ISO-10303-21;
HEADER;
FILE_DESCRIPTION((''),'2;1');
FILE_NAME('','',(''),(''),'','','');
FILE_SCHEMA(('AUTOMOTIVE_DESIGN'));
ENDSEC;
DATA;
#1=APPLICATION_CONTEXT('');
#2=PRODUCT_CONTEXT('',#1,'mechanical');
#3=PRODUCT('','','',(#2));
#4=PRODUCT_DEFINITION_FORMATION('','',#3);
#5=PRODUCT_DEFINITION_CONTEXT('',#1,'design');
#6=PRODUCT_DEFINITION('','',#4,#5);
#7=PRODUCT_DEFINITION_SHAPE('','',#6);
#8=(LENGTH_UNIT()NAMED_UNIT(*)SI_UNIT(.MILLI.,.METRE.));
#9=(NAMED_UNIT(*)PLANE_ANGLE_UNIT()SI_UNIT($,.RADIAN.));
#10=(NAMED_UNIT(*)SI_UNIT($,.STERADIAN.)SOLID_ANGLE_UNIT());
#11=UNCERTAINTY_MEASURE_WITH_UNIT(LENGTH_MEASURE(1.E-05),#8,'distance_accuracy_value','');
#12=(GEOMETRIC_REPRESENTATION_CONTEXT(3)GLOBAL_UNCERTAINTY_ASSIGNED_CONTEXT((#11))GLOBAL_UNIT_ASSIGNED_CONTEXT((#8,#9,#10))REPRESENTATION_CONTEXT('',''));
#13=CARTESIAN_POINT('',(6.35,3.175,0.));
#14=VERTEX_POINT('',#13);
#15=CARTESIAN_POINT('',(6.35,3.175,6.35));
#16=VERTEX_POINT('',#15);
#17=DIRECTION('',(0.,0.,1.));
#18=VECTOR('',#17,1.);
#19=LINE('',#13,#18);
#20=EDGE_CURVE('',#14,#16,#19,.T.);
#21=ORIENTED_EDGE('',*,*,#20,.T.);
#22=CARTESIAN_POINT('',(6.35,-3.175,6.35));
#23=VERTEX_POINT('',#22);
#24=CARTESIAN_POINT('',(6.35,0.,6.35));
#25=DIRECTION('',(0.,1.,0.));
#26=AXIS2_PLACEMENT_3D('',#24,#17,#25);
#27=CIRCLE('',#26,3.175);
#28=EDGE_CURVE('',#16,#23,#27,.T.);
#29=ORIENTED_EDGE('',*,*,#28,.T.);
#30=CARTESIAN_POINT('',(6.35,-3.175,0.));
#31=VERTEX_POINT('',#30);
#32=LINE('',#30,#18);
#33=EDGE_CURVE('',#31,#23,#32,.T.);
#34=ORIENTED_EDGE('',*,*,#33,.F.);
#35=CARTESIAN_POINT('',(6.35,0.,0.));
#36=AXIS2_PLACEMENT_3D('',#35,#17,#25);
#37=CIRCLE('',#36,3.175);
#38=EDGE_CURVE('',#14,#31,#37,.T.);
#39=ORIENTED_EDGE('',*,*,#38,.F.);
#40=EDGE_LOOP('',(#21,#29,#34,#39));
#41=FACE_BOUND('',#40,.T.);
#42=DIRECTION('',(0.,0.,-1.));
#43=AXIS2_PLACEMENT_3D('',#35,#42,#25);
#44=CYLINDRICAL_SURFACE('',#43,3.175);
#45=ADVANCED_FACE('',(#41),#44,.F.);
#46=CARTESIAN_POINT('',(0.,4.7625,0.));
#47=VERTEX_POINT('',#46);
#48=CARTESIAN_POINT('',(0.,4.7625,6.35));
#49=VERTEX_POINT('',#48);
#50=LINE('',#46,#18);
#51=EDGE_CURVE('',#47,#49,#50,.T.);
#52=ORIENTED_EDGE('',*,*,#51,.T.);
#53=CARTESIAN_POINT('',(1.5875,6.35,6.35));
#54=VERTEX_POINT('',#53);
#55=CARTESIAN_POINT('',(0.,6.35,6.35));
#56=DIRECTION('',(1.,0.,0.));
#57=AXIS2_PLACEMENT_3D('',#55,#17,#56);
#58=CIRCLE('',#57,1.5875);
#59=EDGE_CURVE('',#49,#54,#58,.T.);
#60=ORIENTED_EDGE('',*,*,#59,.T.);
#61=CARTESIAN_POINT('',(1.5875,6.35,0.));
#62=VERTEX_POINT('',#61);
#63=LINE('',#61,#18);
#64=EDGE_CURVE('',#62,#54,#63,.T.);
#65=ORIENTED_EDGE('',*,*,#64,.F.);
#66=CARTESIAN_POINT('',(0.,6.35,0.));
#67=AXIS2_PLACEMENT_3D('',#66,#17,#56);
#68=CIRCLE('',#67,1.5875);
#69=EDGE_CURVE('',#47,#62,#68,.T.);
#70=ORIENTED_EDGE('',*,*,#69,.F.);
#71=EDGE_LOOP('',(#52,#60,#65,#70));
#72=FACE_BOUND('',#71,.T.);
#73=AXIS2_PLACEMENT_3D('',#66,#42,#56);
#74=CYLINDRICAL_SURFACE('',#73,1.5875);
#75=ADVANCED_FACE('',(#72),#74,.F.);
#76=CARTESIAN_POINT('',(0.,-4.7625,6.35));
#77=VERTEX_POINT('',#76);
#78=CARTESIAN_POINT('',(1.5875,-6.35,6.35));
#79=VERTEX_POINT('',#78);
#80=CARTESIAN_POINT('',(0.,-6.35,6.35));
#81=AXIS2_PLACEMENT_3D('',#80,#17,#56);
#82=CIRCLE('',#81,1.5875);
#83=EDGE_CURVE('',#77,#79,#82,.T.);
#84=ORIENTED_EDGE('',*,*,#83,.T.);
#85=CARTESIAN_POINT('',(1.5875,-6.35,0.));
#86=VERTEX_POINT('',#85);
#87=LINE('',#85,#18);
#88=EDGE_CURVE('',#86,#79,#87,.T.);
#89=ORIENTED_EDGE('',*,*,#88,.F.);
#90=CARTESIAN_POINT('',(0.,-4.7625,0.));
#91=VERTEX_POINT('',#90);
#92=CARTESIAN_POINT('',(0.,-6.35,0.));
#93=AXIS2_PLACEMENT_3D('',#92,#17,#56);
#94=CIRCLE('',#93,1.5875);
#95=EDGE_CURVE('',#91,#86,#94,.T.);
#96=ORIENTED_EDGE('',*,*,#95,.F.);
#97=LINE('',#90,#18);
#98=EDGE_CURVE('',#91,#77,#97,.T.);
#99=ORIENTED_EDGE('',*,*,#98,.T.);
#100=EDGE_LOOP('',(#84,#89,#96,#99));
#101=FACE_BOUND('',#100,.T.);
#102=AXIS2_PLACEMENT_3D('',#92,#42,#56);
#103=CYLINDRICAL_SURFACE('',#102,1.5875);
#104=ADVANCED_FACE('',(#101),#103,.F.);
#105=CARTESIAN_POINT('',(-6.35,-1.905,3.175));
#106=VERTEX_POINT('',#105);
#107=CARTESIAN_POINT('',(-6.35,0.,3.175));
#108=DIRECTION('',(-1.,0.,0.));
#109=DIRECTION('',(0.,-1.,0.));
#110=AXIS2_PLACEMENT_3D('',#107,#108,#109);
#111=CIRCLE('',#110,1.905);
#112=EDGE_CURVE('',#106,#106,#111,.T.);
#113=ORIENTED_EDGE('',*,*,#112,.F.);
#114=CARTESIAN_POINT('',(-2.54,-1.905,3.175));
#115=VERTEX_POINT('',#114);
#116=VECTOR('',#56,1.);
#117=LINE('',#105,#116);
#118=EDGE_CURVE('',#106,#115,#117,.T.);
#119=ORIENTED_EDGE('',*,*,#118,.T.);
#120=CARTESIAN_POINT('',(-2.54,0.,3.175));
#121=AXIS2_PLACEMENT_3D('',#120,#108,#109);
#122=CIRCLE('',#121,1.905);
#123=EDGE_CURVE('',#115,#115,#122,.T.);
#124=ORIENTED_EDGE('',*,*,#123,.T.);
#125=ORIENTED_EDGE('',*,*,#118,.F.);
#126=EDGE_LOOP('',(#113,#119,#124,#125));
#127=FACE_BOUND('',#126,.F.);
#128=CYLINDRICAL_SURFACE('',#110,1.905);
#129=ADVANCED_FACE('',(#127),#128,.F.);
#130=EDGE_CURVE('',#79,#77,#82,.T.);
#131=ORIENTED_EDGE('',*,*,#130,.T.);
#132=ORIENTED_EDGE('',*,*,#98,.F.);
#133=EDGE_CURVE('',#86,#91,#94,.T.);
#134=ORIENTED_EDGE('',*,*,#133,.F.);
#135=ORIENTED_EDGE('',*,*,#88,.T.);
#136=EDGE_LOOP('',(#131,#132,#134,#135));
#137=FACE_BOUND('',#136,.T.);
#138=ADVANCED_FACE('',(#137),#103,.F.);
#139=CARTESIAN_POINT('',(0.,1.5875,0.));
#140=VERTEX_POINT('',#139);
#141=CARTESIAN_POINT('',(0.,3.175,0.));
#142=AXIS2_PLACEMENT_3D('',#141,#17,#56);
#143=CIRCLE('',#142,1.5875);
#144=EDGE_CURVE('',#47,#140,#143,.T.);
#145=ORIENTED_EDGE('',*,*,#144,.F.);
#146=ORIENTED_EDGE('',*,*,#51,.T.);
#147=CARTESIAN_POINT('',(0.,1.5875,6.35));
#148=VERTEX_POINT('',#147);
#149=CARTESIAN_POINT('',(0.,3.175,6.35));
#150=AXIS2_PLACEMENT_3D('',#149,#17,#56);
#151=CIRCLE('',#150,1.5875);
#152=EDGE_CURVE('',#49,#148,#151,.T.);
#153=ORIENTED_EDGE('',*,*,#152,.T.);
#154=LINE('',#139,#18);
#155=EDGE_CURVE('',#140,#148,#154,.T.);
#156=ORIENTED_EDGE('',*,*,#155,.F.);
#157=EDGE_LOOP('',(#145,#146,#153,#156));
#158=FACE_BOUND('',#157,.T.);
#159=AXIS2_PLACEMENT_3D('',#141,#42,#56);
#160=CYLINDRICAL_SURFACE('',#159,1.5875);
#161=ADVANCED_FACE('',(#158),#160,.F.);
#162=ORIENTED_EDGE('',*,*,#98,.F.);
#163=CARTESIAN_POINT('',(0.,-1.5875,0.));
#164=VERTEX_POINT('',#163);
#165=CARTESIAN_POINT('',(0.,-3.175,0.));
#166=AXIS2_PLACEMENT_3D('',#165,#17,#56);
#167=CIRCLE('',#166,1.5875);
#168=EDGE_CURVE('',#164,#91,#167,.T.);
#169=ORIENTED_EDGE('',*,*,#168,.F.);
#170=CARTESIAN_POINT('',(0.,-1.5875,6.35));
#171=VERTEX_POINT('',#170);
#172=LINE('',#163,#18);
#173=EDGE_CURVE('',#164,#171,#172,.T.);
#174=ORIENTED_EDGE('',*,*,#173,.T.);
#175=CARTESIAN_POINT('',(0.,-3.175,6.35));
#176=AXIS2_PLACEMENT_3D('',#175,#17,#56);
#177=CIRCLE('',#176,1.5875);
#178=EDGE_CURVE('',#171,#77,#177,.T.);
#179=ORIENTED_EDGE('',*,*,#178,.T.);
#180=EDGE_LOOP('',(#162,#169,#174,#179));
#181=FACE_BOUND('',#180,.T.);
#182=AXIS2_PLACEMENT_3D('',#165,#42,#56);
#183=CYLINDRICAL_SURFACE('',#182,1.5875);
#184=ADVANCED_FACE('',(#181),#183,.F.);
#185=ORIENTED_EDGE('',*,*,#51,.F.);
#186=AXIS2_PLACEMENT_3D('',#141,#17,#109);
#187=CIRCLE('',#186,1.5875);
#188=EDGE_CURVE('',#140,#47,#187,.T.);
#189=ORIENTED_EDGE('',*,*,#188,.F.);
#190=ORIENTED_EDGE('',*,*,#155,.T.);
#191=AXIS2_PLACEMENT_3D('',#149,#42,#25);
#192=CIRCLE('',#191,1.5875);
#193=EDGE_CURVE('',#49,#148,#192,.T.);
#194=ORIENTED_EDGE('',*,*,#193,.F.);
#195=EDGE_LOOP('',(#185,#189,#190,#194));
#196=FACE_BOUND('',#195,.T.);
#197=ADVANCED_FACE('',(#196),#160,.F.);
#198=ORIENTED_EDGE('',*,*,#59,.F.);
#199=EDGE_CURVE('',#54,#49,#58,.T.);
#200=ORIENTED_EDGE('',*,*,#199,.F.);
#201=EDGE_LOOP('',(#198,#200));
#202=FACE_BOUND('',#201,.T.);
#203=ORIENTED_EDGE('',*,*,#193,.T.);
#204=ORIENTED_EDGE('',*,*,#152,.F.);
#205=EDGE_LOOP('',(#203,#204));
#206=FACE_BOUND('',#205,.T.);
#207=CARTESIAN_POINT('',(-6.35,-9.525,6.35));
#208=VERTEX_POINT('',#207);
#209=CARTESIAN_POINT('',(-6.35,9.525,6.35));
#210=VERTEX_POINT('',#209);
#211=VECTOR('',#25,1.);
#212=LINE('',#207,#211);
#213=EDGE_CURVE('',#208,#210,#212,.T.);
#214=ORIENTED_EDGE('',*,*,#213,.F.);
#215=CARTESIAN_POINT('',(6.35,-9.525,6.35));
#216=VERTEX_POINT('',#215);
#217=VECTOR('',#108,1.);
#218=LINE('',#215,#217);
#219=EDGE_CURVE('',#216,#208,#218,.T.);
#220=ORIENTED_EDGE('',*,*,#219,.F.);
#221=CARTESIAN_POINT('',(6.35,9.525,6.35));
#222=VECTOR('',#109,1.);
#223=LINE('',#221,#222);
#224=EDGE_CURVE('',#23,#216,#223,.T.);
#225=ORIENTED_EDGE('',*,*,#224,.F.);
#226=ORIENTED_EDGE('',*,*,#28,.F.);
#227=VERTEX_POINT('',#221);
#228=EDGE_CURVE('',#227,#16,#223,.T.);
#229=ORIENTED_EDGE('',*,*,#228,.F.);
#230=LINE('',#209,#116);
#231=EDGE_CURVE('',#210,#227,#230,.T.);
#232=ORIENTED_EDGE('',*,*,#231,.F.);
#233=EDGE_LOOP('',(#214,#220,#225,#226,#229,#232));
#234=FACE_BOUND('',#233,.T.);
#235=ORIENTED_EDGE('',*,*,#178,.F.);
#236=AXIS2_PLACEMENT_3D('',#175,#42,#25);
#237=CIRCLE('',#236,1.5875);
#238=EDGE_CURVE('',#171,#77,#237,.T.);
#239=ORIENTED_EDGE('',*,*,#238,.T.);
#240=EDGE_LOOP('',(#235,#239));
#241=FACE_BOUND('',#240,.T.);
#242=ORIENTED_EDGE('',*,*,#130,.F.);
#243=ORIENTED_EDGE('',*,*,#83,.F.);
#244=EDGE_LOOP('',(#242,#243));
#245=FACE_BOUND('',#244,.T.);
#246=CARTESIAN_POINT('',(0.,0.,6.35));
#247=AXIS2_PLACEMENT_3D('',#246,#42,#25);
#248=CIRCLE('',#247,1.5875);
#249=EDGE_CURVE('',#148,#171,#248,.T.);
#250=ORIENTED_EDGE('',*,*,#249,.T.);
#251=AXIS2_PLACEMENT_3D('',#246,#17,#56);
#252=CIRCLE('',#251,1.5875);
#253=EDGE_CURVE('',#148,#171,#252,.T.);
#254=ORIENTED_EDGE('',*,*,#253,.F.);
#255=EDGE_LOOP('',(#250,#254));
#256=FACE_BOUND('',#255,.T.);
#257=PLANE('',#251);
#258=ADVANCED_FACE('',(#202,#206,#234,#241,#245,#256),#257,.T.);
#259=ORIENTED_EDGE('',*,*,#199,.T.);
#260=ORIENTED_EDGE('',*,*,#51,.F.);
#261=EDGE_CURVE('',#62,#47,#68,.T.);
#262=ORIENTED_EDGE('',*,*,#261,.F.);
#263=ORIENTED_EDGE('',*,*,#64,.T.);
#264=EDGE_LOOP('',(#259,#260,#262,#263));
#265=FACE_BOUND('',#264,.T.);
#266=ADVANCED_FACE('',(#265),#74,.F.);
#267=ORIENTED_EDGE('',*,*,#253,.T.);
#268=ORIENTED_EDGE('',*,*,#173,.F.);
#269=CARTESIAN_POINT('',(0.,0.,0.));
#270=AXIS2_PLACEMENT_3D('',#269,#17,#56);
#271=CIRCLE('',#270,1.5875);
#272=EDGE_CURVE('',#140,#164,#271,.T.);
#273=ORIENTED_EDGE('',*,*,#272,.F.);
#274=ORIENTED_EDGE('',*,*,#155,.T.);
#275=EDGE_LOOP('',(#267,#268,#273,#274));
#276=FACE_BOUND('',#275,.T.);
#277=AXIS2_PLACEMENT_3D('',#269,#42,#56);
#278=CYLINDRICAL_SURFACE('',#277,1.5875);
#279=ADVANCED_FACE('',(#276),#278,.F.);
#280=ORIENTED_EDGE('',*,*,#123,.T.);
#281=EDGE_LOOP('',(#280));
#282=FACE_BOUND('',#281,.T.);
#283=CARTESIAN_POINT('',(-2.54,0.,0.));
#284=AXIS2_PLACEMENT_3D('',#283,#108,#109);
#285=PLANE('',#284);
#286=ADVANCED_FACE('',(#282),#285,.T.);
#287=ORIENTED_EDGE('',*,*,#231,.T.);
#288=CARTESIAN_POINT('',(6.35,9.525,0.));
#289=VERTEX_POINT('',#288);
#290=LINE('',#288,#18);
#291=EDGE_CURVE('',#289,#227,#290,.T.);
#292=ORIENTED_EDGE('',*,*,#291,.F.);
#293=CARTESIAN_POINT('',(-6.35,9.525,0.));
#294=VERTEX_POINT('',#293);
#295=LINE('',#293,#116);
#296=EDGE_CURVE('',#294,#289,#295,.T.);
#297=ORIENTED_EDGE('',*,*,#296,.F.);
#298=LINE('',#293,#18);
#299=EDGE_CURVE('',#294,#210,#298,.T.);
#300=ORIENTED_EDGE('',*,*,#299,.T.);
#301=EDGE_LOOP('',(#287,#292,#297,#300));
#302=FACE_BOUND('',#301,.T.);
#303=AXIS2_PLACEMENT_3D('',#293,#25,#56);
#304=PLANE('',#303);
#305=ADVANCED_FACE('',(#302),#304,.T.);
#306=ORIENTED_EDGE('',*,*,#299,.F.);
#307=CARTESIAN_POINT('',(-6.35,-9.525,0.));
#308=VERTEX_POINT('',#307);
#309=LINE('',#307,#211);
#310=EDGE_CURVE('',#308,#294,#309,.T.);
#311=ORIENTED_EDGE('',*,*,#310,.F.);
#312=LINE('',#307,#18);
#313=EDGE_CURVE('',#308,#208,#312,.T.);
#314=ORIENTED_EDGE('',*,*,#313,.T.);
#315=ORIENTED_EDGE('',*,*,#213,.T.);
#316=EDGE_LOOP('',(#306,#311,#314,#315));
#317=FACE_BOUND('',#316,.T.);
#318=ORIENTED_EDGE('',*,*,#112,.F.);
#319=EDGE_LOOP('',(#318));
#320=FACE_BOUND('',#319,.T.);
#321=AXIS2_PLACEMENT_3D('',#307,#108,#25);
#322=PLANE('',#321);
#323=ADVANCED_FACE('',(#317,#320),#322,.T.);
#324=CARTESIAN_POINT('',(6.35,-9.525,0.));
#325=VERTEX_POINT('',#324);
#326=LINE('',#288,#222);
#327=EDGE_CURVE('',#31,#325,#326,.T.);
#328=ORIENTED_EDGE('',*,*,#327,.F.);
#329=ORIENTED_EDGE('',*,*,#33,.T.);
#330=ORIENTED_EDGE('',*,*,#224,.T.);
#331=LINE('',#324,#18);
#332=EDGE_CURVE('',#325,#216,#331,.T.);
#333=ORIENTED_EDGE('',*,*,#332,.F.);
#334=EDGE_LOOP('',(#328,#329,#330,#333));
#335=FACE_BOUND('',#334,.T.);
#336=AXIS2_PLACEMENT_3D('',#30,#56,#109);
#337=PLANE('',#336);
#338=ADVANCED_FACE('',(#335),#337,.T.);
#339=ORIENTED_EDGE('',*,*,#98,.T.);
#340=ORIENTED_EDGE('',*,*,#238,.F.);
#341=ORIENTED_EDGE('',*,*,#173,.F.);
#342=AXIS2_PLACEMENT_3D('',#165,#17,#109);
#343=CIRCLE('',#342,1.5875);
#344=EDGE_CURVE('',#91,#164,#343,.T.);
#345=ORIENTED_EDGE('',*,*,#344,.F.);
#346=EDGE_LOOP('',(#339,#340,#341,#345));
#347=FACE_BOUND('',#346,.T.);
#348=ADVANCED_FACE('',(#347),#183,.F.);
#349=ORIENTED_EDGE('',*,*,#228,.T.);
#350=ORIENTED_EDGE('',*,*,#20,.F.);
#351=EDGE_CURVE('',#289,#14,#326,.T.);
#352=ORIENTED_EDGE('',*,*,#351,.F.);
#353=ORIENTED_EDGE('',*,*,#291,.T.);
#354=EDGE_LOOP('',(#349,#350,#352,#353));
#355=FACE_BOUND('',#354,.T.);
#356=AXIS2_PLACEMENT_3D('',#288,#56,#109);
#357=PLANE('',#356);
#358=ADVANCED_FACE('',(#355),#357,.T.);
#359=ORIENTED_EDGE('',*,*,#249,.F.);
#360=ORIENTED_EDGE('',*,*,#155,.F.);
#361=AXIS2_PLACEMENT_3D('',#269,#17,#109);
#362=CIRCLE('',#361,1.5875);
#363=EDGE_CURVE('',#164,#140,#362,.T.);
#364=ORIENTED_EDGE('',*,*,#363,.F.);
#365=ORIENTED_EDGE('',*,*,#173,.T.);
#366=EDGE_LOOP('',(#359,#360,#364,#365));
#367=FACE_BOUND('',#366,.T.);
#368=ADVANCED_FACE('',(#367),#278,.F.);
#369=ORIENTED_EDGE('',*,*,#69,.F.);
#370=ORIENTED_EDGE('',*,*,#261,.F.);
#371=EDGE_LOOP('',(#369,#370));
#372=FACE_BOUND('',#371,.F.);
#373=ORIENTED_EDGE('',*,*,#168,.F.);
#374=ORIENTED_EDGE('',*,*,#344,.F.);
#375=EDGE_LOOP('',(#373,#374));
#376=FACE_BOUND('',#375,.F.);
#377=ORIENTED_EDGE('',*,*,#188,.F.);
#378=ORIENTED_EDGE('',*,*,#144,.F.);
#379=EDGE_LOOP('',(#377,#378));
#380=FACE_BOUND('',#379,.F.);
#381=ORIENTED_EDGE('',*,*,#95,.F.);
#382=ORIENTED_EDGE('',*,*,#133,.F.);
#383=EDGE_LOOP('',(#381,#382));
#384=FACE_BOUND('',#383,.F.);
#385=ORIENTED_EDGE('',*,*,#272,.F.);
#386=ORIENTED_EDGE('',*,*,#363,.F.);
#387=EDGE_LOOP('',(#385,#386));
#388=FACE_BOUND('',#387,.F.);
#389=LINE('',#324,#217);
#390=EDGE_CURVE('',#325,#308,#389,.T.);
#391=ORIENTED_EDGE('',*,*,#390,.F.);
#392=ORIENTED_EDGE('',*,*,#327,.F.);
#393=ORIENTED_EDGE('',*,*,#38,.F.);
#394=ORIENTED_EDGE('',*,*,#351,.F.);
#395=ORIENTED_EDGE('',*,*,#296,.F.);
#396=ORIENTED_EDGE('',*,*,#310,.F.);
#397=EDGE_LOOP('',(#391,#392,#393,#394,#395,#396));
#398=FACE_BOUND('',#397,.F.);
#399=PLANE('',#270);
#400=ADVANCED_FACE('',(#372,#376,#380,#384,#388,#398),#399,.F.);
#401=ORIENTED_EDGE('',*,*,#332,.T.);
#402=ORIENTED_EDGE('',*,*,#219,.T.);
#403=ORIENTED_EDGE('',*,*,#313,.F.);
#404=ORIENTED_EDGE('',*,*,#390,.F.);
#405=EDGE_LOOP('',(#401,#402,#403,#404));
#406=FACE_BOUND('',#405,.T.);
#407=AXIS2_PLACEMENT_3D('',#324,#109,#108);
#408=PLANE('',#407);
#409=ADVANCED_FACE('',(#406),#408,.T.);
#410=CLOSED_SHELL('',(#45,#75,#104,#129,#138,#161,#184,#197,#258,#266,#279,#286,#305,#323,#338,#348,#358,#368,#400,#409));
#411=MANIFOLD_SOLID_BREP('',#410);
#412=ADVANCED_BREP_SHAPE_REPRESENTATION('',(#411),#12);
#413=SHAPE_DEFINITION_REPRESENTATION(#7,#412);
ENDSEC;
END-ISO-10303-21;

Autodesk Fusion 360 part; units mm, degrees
sketch "Sketch1" plane through (0, 0, 0) normal (0, 0, 1) x (1, 0, 0)
  line L0 (-6.35, 9.525) -> (6.35, 9.525)
  line L1 (6.35, 9.525) -> (6.35, -9.525)
  line L2 (6.35, -9.525) -> (-6.35, -9.525)
  line L3 (-6.35, -9.525) -> (-6.35, 9.525)
  line L4 (0, 0) -> (0, 3.175) construction
  line L5 (0, 3.175) -> (0, 6.35) construction
  line L6 (0, 0) -> (0, -3.175) construction
  line L7 (0, -3.175) -> (0, -6.35) construction
  circle A0 centre (0, 6.35) radius 1.5875
  circle A1 centre (0, 3.175) radius 1.5875
  circle A2 centre (0, 0) radius 1.5875
  circle A3 centre (0, -3.175) radius 1.5875
  circle A4 centre (0, -6.35) radius 1.5875
  arc A5 (6.35, 3.175) -> (6.35, -3.175) centre (6.35, 0) ccw
  dimension "d3" = 12.7
  dimension "d4" = 19.05
  dimension "d5" = 3.175
  dimension "d6" = 3.175
  dimension "d7" = 3.175
  dimension "d8" = 3.175
  dimension "d9" = 3.175
  dimension "d10" = 3.175
  dimension "d11" = 3.175
  dimension "d12" = 3.175
  dimension "d13" = 3.175
  dimension "d21" = 6.35
extrude "Extrude1" add sketch "Sketch1" along normal blind 6.35 contours L0 L1 L2 L3 A5
sketch "Sketch2" plane through (0, 0, 6.35) normal (0, 0, 1) x (-1, 0, 0)
  circle A0 centre (0, 6.35) radius 1.5875
  circle A1 centre (0, -6.35) radius 1.5875
  line L0 (6.35, 9.525) -> (-6.35, 9.525)
  line L1 (-6.35, -3.175) -> (-6.35, -9.525)
  line L2 (-6.35, -9.525) -> (6.35, -9.525)
  line L3 (6.35, -9.525) -> (6.35, 9.525)
  arc A2 (1.905, 6.35) -> (-1.905, 6.35) centre (0, 6.35) ccw
  arc A3 (-1.905, -6.35) -> (1.905, -6.35) centre (0, -6.35) ccw
  circle A4 centre (0, -3.175) radius 1.5875
  arc A5 (0, -1.5875) -> (0, 1.5875) centre (0, 0) ccw
  arc A6 (0, 1.5875) -> (0, 4.7625) centre (0, 3.175) ccw
  arc A7 (0, -1.5875) -> (0, -4.7625) centre (0, -3.175) ccw
  arc A8 (0, 1.5875) -> (0, -1.5875) centre (0, 0) ccw
  arc A9 (0, 4.7625) -> (0, 1.5875) centre (0, 3.175) ccw
  line L4 (-6.35, 9.525) -> (-6.35, 3.175)
  arc A10 (-6.35, -3.175) -> (-6.35, 3.175) centre (-6.35, 0) ccw
  dimension "d17" = 3.81
  dimension "d18" = 3.81
sketch "Sketch3" plane through (0, 0, 6.35) normal (0, 0, 1) x (-1, 0, 0)
  circle A0 centre (0, 6.35) radius 1.5875
  arc A1 (0, 1.5875) -> (0, 4.7625) centre (0, 3.175) ccw
  arc A2 (0, -1.5875) -> (0, 1.5875) centre (0, 0) ccw
  arc A3 (0, -4.7625) -> (0, -1.5875) centre (0, -3.175) ccw
  circle A4 centre (0, -6.35) radius 1.5875
  arc A5 (0, -1.5875) -> (0, -4.7625) centre (0, -3.175) ccw
  arc A6 (0, 1.5875) -> (0, -1.5875) centre (0, 0) ccw
  arc A7 (0, 4.7625) -> (0, 1.5875) centre (0, 3.175) ccw
  line L0 (-6.35, -3.175) -> (-6.35, -9.525)
  line L1 (-6.35, -9.525) -> (6.35, -9.525)
  line L2 (6.35, -9.525) -> (6.35, 9.525)
  line L3 (6.35, 9.525) -> (-6.35, 9.525)
  line L4 (-6.35, 9.525) -> (-6.35, 3.175)
  arc A8 (-6.35, -3.175) -> (-6.35, 3.175) centre (-6.35, 0) ccw
sketch "Sketch4" plane through (-6.35, 0, 0) normal (-1, 0, 0) x (0, -1, 0)
  line L0 (-9.525, 0) -> (9.525, 0)
  line L1 (9.525, 0) -> (9.525, 6.35)
  line L2 (9.525, 6.35) -> (-9.525, 6.35)
  line L3 (-9.525, 6.35) -> (-9.525, 0)
  line L4 (0, 0) -> (0, 3.175) construction
  circle A0 centre (0, 3.175) radius 1.905
  dimension "d22" = 3.175
  dimension "d23" = 3.81
extrude "Extrude3" cut sketch "Sketch4" against normal blind 3.81 contours A0
thread "Thread1" thread offset 0 thread length 10.0076
equation "d9 = ( 1 / 8 ) * 1 in"
equation "d10 = ( 1 / 8 ) * 1 in"
equation "d11 = ( 1 / 8 ) * 1 in"
equation "d13 = ( 1 / 8 ) * 1 in"
equation "d21 = ( 1 / 4 ) * 1 in"
equation "d22 = ( 1 / 8 ) * 1 in"
